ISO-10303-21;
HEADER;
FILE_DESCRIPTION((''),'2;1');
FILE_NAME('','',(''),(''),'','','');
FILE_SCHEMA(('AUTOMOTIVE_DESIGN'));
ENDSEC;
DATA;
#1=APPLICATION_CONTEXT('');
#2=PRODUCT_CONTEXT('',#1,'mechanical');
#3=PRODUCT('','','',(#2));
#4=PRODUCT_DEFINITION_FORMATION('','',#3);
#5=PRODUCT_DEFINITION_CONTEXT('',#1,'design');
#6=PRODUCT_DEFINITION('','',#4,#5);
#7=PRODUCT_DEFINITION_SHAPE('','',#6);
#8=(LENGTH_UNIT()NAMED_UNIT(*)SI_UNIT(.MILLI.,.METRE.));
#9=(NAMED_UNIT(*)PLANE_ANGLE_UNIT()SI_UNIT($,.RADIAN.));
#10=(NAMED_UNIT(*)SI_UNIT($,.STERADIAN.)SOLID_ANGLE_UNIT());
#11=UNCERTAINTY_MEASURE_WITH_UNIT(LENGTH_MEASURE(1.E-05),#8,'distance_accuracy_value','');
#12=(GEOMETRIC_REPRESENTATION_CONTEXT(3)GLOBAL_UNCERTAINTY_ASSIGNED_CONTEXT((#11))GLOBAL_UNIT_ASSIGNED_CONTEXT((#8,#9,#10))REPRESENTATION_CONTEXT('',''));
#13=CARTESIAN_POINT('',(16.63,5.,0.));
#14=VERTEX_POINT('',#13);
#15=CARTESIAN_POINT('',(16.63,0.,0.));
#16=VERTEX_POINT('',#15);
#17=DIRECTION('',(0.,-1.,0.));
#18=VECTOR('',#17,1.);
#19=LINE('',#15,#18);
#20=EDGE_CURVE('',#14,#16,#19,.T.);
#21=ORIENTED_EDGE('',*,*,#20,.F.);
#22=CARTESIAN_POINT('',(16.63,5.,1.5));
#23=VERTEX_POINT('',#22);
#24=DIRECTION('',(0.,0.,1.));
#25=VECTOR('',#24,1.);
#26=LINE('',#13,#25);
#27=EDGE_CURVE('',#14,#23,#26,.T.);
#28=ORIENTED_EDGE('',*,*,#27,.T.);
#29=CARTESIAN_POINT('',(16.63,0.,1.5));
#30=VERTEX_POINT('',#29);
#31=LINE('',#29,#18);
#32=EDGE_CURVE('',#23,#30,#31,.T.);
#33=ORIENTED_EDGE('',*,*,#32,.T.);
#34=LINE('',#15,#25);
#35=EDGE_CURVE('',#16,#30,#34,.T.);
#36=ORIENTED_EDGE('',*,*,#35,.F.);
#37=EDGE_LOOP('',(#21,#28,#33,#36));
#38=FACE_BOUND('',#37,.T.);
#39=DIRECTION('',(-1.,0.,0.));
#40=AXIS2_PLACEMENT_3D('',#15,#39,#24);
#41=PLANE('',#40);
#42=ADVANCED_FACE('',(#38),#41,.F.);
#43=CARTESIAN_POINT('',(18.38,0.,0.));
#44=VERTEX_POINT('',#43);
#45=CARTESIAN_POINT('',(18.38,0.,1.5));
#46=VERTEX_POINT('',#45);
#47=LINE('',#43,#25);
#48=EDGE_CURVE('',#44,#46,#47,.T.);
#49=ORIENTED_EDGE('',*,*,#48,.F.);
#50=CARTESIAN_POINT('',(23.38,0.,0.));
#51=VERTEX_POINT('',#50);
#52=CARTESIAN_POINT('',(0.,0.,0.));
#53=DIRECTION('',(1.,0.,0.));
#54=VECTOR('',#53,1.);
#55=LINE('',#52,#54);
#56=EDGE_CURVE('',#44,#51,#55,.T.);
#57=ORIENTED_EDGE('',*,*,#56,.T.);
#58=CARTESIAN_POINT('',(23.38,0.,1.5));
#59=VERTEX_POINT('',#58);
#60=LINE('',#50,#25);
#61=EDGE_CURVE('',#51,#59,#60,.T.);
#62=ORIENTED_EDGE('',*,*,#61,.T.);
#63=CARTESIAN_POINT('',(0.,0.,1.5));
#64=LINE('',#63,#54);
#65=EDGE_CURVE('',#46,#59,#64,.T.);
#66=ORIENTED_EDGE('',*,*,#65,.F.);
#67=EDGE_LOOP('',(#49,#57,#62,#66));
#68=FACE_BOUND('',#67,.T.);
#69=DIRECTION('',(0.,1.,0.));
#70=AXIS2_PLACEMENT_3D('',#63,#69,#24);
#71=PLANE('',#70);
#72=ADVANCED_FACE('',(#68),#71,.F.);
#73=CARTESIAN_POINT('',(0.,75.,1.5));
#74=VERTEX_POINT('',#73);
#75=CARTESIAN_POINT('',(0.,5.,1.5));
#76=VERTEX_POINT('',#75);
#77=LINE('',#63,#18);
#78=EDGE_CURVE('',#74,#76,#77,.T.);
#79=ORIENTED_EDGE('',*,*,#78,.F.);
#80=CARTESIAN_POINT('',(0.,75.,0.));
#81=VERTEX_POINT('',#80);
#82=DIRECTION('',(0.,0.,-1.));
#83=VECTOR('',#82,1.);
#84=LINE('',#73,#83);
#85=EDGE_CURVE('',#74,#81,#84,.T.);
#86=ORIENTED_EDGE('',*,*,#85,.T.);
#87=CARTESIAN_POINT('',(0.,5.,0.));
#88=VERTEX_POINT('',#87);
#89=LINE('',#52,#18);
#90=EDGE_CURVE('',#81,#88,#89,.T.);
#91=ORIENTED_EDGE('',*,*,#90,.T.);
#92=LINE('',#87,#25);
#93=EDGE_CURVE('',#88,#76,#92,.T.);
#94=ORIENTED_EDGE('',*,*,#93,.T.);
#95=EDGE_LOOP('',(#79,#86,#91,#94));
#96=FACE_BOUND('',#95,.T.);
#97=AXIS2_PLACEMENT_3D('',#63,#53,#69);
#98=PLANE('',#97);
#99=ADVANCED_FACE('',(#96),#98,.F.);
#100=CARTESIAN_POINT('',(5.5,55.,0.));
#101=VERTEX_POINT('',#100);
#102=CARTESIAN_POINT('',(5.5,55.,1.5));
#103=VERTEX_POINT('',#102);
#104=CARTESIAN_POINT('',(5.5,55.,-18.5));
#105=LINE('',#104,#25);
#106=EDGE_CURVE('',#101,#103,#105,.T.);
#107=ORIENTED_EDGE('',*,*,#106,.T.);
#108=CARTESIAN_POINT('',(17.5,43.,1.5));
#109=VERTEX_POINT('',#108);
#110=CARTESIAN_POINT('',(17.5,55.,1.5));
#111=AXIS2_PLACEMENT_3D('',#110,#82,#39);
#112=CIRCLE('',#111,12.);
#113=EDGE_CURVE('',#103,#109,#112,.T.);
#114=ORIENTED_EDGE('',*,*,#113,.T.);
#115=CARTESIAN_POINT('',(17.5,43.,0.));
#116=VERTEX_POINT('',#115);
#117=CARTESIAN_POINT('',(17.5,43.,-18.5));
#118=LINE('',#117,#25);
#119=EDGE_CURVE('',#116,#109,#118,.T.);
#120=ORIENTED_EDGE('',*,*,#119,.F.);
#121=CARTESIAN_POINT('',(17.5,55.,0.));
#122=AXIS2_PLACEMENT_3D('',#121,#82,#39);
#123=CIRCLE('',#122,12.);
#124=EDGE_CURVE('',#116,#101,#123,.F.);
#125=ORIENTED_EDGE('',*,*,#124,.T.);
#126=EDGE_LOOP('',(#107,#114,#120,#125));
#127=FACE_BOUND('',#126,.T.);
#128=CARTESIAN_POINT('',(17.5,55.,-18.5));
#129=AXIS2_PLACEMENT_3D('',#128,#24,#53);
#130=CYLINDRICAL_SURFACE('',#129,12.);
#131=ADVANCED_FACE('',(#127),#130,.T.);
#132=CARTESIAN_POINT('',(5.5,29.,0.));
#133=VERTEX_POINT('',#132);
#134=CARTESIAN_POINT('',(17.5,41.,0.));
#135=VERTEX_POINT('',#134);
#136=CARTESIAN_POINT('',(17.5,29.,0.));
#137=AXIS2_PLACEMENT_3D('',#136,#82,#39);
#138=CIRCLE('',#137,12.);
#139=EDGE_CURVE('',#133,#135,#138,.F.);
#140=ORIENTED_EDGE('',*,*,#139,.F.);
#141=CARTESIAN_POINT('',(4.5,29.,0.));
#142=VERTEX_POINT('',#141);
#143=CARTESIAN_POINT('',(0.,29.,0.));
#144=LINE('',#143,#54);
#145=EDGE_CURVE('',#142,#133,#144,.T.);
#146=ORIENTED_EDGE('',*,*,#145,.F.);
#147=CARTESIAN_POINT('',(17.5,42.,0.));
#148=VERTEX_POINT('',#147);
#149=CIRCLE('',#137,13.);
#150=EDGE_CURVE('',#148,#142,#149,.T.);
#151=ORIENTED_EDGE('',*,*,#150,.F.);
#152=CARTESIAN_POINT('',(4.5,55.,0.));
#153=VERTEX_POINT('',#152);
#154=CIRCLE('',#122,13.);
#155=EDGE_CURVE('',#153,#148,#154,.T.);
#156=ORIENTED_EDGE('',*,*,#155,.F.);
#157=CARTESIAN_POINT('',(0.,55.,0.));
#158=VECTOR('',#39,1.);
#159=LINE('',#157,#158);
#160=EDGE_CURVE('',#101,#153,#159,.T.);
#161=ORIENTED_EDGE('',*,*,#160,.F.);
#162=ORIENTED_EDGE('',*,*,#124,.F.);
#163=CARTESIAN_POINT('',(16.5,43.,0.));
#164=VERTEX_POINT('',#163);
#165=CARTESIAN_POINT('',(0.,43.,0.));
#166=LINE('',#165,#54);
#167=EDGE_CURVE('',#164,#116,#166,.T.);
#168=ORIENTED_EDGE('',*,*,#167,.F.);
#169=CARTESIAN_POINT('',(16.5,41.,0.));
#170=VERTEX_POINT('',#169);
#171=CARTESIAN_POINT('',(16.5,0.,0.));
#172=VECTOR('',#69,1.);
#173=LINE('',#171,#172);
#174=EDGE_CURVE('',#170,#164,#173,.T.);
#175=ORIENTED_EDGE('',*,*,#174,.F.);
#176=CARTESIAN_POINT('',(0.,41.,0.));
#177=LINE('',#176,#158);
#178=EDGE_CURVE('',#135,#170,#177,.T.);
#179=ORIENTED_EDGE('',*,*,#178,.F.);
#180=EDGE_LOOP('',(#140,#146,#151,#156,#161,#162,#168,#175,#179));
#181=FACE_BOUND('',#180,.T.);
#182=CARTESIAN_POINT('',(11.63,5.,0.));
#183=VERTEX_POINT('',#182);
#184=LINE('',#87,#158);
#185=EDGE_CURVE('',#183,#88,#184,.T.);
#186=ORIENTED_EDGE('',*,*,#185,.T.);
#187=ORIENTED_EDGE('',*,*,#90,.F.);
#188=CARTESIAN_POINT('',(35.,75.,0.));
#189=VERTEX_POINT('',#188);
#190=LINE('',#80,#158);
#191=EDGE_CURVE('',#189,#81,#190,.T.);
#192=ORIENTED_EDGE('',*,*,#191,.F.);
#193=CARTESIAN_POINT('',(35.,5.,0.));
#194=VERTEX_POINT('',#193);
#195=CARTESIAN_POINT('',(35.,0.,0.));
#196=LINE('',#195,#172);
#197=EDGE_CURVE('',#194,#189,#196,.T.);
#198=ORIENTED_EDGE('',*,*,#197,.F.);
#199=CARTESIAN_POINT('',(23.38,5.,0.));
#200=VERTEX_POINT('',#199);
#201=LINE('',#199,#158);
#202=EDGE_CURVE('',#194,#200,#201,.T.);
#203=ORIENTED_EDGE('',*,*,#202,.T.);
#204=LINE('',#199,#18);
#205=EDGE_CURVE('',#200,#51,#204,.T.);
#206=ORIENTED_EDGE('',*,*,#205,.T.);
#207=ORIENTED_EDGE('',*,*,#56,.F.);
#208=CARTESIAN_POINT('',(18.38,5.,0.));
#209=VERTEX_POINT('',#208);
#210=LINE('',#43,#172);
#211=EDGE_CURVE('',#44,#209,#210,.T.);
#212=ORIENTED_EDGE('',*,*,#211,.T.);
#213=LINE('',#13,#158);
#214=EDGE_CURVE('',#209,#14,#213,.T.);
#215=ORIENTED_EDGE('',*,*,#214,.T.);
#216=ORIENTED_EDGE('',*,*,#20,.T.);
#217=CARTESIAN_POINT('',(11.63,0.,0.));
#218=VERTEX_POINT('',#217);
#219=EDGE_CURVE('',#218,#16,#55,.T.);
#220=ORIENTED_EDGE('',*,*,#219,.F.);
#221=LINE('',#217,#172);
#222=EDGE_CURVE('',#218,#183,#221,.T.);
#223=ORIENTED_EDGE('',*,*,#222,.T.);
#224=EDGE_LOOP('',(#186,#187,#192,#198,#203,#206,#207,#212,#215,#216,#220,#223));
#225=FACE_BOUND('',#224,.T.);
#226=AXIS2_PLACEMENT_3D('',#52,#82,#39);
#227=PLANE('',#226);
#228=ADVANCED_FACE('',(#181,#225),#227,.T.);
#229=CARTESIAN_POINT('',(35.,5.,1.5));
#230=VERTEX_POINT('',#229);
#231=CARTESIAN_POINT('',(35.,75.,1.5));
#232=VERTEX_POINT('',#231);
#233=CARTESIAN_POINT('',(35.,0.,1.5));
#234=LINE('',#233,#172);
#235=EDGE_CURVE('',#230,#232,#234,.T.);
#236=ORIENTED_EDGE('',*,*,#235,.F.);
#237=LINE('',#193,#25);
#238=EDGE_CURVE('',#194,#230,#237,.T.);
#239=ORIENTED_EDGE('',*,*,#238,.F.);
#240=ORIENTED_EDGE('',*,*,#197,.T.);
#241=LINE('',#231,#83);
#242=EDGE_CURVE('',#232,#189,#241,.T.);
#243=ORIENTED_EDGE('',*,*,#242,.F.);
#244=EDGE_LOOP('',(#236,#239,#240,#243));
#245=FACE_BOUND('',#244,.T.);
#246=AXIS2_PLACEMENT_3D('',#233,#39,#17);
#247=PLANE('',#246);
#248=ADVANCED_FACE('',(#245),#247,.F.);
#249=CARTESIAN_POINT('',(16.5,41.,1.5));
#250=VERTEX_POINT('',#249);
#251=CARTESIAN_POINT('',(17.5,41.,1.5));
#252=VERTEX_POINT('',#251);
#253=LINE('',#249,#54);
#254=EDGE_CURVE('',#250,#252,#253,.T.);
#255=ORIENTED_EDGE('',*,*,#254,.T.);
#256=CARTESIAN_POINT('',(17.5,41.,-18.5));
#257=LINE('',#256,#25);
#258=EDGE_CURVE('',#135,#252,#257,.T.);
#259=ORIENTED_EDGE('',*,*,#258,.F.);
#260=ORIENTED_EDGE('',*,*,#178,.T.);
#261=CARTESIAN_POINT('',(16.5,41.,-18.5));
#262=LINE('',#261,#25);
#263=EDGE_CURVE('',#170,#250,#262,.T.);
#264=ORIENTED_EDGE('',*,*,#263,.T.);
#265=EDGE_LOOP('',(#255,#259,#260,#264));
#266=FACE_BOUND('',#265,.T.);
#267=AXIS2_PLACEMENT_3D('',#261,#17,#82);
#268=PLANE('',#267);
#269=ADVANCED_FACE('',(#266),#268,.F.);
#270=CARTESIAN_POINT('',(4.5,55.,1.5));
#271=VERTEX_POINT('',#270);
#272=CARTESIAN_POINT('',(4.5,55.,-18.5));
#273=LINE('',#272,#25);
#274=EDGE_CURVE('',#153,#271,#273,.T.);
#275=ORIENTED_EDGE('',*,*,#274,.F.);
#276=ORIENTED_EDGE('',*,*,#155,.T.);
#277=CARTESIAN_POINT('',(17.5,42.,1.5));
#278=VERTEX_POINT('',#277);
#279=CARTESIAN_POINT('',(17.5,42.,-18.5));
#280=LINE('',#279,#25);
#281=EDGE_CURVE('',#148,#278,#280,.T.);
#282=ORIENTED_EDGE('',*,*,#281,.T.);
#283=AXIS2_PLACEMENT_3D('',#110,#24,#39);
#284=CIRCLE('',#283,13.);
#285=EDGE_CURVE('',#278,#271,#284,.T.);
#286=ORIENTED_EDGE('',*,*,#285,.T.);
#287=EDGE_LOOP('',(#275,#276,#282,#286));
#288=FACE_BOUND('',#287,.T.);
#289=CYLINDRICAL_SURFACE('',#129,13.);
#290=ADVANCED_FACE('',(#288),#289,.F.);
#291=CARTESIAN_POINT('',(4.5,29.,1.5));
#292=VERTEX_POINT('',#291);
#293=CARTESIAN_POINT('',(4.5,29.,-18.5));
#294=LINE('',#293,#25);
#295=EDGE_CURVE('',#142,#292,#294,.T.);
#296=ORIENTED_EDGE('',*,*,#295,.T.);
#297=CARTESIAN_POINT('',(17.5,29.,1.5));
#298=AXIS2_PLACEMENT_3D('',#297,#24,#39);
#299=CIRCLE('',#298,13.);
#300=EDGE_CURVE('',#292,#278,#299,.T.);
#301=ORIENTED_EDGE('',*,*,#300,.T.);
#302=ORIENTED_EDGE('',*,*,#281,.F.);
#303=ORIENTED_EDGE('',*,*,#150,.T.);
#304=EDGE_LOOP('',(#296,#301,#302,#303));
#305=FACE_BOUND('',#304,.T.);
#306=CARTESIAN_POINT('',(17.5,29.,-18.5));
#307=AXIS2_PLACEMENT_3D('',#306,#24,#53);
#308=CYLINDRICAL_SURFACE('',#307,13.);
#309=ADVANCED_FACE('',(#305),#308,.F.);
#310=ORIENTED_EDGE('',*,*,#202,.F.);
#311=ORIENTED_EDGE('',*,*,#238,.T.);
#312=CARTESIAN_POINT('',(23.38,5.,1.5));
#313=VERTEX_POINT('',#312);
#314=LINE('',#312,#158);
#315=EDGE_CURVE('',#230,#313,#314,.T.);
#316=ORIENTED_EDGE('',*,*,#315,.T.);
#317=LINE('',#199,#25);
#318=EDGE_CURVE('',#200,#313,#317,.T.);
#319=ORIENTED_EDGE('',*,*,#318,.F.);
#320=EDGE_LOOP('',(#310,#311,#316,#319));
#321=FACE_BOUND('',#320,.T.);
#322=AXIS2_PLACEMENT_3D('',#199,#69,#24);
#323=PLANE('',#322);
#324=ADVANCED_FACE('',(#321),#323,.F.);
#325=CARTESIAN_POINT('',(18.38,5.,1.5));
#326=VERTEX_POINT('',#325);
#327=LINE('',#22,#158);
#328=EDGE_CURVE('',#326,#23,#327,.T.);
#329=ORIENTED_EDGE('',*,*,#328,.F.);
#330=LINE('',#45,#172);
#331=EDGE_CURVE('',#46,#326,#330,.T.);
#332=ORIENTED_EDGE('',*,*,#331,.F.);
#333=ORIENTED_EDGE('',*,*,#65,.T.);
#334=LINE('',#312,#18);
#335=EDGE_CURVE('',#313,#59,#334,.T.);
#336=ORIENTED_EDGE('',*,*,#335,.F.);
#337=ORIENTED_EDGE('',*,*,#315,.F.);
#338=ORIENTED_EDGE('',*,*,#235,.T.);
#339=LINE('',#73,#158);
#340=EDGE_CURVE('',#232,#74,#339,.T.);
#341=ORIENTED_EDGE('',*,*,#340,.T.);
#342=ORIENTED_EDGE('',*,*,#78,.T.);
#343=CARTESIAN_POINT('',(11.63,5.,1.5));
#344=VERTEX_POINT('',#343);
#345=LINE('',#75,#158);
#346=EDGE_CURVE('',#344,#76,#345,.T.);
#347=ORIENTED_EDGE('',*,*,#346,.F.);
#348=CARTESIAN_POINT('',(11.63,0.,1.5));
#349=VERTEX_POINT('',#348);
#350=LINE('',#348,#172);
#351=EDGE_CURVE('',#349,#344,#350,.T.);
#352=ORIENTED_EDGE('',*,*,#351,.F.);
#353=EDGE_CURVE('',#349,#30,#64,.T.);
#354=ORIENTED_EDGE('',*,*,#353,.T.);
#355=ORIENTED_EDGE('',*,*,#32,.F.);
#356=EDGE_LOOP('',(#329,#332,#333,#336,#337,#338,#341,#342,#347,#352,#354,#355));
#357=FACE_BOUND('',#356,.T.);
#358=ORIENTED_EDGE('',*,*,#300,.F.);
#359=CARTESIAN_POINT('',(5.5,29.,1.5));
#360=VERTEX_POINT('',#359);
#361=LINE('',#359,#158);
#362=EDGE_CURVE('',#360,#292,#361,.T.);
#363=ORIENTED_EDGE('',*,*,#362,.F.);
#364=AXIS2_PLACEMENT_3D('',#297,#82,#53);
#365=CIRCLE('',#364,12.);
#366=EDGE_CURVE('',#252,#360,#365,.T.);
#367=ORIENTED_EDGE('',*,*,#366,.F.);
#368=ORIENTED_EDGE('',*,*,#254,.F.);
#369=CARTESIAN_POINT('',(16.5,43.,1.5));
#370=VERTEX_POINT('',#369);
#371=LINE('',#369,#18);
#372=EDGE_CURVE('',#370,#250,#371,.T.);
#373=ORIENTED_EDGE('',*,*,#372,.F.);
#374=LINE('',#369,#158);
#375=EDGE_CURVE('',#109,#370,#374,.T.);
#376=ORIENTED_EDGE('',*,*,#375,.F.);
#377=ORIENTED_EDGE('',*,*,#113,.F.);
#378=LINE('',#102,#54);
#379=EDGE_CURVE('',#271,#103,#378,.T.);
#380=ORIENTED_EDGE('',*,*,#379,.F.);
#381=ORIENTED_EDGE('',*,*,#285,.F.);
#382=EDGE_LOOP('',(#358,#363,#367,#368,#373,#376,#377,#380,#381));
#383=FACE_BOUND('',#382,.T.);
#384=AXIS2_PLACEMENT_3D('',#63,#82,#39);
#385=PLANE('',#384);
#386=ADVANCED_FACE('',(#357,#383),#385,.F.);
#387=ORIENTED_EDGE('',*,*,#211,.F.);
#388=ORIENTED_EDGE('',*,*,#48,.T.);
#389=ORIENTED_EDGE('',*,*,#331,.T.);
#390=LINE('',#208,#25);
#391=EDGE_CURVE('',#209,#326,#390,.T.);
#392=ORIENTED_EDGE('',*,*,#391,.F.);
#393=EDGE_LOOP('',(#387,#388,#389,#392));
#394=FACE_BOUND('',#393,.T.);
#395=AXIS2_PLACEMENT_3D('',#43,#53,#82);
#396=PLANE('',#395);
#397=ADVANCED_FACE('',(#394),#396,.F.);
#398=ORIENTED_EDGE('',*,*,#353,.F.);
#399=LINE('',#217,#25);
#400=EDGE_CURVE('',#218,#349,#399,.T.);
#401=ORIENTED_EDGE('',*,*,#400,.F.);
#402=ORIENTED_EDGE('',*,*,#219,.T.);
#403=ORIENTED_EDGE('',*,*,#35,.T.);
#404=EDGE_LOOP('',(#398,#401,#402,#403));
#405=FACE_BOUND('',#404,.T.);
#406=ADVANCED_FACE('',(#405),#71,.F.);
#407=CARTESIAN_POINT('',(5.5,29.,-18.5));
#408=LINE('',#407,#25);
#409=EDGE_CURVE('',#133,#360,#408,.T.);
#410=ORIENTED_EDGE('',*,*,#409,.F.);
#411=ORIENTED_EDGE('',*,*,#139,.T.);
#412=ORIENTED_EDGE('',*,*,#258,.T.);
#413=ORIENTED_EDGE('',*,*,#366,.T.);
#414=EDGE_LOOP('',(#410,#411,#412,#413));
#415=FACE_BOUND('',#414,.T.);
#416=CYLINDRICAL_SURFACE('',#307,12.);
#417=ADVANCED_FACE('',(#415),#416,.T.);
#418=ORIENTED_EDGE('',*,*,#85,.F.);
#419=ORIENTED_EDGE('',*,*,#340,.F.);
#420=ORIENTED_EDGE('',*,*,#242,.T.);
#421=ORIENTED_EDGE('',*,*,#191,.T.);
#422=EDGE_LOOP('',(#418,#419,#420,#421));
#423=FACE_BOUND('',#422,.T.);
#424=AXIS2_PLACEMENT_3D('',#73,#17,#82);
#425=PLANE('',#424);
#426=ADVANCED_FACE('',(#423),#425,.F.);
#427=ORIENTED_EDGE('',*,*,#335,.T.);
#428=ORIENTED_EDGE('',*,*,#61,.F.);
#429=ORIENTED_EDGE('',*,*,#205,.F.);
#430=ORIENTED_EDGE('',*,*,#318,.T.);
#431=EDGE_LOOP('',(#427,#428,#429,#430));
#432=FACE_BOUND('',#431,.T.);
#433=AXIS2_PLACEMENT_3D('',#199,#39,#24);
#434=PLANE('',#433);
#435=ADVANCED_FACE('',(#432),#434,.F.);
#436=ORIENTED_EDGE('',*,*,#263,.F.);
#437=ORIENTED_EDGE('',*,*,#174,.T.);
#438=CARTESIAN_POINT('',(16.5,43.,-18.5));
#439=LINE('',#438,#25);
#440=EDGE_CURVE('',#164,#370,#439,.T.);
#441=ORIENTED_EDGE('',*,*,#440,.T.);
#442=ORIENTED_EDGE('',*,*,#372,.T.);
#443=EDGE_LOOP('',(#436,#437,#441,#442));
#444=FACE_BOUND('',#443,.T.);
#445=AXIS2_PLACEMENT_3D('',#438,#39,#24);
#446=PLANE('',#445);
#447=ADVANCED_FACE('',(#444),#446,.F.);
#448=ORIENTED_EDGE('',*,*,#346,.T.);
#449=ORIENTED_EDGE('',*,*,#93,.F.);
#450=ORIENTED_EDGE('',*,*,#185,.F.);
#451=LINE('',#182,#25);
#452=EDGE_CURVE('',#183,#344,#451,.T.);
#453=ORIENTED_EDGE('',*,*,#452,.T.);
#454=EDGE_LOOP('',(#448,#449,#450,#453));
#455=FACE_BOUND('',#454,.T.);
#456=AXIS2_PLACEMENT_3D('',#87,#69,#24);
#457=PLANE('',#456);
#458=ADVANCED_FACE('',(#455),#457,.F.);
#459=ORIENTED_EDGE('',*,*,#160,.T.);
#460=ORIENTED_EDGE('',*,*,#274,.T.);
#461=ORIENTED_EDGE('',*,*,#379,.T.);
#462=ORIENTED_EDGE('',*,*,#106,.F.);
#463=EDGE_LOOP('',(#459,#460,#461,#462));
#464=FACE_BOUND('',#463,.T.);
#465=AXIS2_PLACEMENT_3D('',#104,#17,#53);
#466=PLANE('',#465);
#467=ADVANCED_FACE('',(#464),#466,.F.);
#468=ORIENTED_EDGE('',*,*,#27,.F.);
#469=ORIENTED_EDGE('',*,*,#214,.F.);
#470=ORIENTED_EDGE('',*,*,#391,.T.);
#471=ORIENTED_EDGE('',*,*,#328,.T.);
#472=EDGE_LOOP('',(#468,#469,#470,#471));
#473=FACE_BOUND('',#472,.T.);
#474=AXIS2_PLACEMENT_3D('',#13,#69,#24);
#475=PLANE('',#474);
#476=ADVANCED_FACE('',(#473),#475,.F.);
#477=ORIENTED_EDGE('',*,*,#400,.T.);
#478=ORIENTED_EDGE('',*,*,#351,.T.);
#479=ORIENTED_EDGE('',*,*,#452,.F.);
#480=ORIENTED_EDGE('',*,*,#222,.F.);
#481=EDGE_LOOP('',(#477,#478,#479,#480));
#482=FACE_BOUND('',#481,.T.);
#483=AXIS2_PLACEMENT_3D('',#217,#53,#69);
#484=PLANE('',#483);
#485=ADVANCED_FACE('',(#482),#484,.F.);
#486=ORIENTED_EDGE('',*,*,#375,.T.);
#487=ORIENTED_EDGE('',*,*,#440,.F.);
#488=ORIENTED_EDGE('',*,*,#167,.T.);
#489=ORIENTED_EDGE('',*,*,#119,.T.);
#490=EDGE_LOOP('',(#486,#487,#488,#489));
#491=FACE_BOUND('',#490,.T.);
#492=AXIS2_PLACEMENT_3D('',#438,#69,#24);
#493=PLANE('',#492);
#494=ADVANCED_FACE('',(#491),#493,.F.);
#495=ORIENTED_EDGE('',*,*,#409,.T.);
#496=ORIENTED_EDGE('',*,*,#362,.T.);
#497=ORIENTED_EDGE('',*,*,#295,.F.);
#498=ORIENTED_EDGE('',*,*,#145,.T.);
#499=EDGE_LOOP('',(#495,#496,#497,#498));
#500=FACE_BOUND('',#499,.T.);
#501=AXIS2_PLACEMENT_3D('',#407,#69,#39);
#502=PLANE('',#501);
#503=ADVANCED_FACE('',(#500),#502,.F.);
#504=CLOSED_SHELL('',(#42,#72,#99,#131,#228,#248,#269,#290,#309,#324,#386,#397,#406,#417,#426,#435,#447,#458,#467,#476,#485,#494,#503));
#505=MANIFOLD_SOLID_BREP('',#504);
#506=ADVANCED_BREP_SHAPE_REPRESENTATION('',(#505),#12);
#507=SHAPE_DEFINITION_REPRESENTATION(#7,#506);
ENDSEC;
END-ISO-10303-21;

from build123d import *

# Parameters (mm, degrees)
SKIZZE1_W                       = 35
SKIZZE1_H                       = 75
AUFSATZ_LINEAR_AUSTRAGEN1_DEPTH = 1.5
SKIZZE2_W                       = 11.63
SKIZZE2_H                       = 5
SKIZZE2_W_2                     = 11.62
SKIZZE2_W_3                     = 1.75
SCHNITT_LINEAR_AUSTRAGEN1_DEPTH = 1.5
SCHNITT_LINEAR_AUSTRAGEN4_DEPTH = 20


with BuildPart() as part:
    # Skizze1 → Aufsatz-Linear austragen1 (new body)
    with BuildSketch(Plane.XY):
        with Locations((17.5, 37.5)):
            Rectangle(SKIZZE1_W, SKIZZE1_H)
    extrude(amount=AUFSATZ_LINEAR_AUSTRAGEN1_DEPTH)

    # Skizze2 → Schnitt-Linear austragen1 (cut)
    with BuildSketch(Plane.XY.offset(1.5)):
        with Locations((5.815, 2.5)):
            Rectangle(SKIZZE2_W, SKIZZE2_H)
        with Locations((29.19, 2.5)):
            Rectangle(SKIZZE2_W_2, SKIZZE2_H)
        with Locations((17.505, 2.5)):
            Rectangle(SKIZZE2_W_3, SKIZZE2_H)
    extrude(amount=-SCHNITT_LINEAR_AUSTRAGEN1_DEPTH, mode=Mode.SUBTRACT)

    # Skizze9 → Schnitt-Linear austragen4 (cut)
    with BuildSketch(Plane.XY.offset(1.5)):
        with BuildLine():
            Line((5.5, 55), (4.5, 55))
            ThreePointArc((4.5, 55), (26.692388155, 64.192388155), (17.5, 42))
            ThreePointArc((17.5, 42), (26.692388155, 19.807611845), (4.5, 29))
            Line((4.5, 29), (5.5, 29))
            ThreePointArc((5.5, 29), (25.985281374, 20.514718626), (17.5, 41))
            Line((17.5, 41), (16.5, 41))
            Line((16.5, 41), (16.5, 43))
            Line((16.5, 43), (17.5, 43))
            ThreePointArc((17.5, 43), (25.985281374, 63.485281374), (5.5, 55))
        make_face()
    extrude(amount=-SCHNITT_LINEAR_AUSTRAGEN4_DEPTH, mode=Mode.SUBTRACT)


solid = part.part
